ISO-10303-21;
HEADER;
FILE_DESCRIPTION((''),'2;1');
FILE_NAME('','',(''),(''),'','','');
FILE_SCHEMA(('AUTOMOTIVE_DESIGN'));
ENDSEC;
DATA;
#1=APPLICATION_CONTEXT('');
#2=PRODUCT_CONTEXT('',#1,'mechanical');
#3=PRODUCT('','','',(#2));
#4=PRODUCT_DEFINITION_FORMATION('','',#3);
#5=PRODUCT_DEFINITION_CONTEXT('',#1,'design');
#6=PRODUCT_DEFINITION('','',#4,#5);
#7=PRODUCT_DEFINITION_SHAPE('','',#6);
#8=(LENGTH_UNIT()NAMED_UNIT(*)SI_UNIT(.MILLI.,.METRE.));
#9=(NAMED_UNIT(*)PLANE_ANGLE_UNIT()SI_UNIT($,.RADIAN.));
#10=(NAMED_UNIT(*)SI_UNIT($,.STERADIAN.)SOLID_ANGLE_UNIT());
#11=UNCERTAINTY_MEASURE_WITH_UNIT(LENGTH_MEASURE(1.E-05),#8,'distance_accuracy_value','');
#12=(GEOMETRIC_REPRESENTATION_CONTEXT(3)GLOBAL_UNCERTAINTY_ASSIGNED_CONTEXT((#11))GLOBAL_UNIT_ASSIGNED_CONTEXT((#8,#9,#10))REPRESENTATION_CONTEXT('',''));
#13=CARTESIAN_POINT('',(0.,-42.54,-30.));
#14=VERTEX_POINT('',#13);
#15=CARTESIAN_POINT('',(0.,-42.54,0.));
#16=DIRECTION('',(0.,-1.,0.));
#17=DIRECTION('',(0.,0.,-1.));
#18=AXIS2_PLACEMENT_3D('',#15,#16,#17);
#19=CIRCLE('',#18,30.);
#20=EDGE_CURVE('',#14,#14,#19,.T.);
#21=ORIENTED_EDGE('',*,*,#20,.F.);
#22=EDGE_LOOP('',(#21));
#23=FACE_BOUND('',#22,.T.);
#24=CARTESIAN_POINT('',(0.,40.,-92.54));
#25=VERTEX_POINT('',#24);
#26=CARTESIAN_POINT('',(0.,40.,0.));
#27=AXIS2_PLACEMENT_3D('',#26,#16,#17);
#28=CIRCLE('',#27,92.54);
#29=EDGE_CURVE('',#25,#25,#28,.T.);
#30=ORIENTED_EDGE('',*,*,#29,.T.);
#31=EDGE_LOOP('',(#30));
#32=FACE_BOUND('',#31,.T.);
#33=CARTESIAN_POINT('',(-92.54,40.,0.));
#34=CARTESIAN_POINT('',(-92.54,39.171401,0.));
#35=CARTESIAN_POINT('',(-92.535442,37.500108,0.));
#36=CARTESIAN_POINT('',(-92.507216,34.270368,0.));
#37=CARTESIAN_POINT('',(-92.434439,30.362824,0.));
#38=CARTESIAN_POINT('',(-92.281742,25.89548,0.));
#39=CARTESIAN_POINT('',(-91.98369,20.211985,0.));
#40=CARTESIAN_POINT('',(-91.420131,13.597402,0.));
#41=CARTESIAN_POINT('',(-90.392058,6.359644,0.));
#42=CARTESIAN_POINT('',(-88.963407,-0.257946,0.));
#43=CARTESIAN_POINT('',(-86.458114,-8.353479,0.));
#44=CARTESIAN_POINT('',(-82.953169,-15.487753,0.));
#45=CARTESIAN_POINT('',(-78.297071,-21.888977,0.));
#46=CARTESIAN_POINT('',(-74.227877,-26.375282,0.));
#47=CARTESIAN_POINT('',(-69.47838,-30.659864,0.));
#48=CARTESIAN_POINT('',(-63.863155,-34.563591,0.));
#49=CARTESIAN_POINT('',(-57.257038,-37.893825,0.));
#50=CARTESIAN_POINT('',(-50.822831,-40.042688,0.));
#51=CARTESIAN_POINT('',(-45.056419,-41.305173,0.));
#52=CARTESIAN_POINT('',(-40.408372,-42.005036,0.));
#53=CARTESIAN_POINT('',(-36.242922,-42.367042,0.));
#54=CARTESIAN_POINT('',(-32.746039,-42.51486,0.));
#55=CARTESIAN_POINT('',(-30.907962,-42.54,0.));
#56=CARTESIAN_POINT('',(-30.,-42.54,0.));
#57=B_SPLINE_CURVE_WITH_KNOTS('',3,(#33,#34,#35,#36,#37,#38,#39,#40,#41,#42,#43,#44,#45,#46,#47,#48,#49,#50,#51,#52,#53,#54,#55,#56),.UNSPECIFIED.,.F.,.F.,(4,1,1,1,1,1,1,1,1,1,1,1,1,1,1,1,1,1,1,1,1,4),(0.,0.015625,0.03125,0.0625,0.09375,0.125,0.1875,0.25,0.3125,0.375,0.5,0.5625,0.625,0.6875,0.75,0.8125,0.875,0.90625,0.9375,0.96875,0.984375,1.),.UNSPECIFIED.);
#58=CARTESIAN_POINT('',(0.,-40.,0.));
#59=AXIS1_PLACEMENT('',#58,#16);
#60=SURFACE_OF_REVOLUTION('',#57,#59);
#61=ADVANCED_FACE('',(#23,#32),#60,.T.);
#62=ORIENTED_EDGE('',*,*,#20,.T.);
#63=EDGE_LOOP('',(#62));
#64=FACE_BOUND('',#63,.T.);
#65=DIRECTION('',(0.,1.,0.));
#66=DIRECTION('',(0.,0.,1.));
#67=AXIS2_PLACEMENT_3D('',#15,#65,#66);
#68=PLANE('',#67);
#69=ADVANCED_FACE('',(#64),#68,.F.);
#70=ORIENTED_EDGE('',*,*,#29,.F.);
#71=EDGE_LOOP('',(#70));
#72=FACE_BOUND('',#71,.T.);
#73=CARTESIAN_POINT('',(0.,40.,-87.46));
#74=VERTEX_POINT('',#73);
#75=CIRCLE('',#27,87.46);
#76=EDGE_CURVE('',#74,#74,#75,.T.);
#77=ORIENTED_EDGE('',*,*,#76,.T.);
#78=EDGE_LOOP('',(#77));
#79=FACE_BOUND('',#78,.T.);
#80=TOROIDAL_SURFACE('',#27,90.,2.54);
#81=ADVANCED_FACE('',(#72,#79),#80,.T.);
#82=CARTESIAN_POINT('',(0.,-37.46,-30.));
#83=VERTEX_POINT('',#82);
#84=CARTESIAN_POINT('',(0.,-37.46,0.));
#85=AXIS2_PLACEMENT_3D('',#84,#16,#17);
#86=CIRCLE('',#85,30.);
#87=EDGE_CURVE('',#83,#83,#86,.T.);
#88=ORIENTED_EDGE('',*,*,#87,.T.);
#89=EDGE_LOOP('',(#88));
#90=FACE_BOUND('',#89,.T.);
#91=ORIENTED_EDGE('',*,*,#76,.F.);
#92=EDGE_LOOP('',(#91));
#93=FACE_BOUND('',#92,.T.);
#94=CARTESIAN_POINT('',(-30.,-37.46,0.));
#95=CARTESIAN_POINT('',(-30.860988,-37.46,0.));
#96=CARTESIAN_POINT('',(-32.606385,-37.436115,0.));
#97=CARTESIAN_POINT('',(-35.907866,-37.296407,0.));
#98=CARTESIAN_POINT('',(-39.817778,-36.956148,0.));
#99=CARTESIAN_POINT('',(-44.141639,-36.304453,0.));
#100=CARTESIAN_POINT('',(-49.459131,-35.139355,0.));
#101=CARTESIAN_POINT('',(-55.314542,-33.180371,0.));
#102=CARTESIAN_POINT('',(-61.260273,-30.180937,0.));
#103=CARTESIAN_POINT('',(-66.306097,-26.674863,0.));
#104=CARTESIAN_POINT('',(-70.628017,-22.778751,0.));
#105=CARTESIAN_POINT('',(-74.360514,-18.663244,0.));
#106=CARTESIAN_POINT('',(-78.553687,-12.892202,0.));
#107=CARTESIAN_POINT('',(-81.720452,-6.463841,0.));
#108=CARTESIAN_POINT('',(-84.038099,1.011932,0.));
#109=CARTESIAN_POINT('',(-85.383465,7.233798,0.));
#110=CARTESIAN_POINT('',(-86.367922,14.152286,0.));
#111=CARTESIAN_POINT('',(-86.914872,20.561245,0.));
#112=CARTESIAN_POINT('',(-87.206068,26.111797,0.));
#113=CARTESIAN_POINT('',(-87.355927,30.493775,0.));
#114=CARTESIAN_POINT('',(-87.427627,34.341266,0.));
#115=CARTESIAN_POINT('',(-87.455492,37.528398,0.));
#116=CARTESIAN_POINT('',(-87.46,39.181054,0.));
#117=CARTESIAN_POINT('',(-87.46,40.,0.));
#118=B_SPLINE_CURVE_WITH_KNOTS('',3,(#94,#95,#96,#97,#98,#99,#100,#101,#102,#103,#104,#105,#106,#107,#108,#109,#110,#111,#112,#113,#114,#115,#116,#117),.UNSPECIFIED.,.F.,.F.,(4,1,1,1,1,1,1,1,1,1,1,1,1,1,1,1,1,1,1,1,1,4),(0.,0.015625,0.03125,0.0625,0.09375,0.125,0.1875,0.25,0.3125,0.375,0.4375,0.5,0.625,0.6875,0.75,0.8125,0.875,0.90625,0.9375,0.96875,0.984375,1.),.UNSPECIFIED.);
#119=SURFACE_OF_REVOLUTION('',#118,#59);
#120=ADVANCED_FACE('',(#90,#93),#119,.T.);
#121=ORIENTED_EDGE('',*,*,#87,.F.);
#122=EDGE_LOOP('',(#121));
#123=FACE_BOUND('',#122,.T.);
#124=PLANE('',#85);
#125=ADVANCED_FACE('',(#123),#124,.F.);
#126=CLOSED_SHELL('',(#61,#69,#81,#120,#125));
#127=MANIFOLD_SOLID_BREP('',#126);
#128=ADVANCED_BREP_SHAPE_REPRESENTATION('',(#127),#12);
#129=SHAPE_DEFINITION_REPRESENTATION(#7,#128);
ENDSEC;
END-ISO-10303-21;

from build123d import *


with BuildPart() as part:
    # Sketch1 → Revolve1 (revolve)
    with BuildSketch(Plane.XY):
        with BuildLine():
            Line((0, -37.46), (-30, -37.46))
            add(Edge.make_bspline(
                [(-30, -37.46), (-30.860987655, -37.46), (-32.606384875, -37.436114905), (-35.907865784, -37.296406862), (-39.817777832, -36.956148055), (-44.141638766, -36.304452803), (-49.459131211, -35.139355309), (-55.314542104, -33.180371267), (-61.260272929, -30.180937219), (-66.306097048, -26.674863401), (-70.628017093, -22.778750971), (-74.360513918, -18.663243679), (-78.553686947, -12.892201761), (-81.720452029, -6.463840501), (-84.038098793, 1.011931752), (-85.383465168, 7.233798397), (-86.367922337, 14.152286295), (-86.914872267, 20.561245493), (-87.20606829, 26.11179732), (-87.355926733, 30.493774797), (-87.427627432, 34.341265749), (-87.455492262, 37.528398326), (-87.46, 39.181053667), (-87.46, 40)],
                knots=[0, 0, 0, 0, 0.015625, 0.03125, 0.0625, 0.09375, 0.125, 0.1875, 0.25, 0.3125, 0.375, 0.4375, 0.5, 0.625, 0.6875, 0.75, 0.8125, 0.875, 0.90625, 0.9375, 0.96875, 0.984375, 1, 1, 1, 1], degree=3))
            ThreePointArc((-87.46, 40), (-90, 42.54), (-92.54, 40))
            add(Edge.make_bspline(
                [(-30, -42.54), (-30.907962003, -42.54), (-32.746038976, -42.514860457), (-36.242922485, -42.36704185), (-40.40837206, -42.005035786), (-45.056419158, -41.305173118), (-50.822831183, -40.042688364), (-57.257038116, -37.893825348), (-63.863155421, -34.56359119), (-69.478379985, -30.659863783), (-74.227877463, -26.37528178), (-78.297070737, -21.888977199), (-82.953169481, -15.487752611), (-86.458114171, -8.353479458), (-88.963406512, -0.257946307), (-90.392057601, 6.359644466), (-91.420131492, 13.597402216), (-91.983690219, 20.211984523), (-92.281742104, 25.895480325), (-92.434438696, 30.362824064), (-92.50721601, 34.270368364), (-92.535442498, 37.500107851), (-92.54, 39.171401362), (-92.54, 40)],
                knots=[0, 0, 0, 0, 0.015625, 0.03125, 0.0625, 0.09375, 0.125, 0.1875, 0.25, 0.3125, 0.375, 0.4375, 0.5, 0.625, 0.6875, 0.75, 0.8125, 0.875, 0.90625, 0.9375, 0.96875, 0.984375, 1, 1, 1, 1], degree=3))
            Line((-30, -42.54), (0, -42.54))
            Line((0, -42.54), (0, -37.46))
        make_face()
    revolve(axis=Axis((0, -40, 0), (0, 1, 0)))


solid = part.part
